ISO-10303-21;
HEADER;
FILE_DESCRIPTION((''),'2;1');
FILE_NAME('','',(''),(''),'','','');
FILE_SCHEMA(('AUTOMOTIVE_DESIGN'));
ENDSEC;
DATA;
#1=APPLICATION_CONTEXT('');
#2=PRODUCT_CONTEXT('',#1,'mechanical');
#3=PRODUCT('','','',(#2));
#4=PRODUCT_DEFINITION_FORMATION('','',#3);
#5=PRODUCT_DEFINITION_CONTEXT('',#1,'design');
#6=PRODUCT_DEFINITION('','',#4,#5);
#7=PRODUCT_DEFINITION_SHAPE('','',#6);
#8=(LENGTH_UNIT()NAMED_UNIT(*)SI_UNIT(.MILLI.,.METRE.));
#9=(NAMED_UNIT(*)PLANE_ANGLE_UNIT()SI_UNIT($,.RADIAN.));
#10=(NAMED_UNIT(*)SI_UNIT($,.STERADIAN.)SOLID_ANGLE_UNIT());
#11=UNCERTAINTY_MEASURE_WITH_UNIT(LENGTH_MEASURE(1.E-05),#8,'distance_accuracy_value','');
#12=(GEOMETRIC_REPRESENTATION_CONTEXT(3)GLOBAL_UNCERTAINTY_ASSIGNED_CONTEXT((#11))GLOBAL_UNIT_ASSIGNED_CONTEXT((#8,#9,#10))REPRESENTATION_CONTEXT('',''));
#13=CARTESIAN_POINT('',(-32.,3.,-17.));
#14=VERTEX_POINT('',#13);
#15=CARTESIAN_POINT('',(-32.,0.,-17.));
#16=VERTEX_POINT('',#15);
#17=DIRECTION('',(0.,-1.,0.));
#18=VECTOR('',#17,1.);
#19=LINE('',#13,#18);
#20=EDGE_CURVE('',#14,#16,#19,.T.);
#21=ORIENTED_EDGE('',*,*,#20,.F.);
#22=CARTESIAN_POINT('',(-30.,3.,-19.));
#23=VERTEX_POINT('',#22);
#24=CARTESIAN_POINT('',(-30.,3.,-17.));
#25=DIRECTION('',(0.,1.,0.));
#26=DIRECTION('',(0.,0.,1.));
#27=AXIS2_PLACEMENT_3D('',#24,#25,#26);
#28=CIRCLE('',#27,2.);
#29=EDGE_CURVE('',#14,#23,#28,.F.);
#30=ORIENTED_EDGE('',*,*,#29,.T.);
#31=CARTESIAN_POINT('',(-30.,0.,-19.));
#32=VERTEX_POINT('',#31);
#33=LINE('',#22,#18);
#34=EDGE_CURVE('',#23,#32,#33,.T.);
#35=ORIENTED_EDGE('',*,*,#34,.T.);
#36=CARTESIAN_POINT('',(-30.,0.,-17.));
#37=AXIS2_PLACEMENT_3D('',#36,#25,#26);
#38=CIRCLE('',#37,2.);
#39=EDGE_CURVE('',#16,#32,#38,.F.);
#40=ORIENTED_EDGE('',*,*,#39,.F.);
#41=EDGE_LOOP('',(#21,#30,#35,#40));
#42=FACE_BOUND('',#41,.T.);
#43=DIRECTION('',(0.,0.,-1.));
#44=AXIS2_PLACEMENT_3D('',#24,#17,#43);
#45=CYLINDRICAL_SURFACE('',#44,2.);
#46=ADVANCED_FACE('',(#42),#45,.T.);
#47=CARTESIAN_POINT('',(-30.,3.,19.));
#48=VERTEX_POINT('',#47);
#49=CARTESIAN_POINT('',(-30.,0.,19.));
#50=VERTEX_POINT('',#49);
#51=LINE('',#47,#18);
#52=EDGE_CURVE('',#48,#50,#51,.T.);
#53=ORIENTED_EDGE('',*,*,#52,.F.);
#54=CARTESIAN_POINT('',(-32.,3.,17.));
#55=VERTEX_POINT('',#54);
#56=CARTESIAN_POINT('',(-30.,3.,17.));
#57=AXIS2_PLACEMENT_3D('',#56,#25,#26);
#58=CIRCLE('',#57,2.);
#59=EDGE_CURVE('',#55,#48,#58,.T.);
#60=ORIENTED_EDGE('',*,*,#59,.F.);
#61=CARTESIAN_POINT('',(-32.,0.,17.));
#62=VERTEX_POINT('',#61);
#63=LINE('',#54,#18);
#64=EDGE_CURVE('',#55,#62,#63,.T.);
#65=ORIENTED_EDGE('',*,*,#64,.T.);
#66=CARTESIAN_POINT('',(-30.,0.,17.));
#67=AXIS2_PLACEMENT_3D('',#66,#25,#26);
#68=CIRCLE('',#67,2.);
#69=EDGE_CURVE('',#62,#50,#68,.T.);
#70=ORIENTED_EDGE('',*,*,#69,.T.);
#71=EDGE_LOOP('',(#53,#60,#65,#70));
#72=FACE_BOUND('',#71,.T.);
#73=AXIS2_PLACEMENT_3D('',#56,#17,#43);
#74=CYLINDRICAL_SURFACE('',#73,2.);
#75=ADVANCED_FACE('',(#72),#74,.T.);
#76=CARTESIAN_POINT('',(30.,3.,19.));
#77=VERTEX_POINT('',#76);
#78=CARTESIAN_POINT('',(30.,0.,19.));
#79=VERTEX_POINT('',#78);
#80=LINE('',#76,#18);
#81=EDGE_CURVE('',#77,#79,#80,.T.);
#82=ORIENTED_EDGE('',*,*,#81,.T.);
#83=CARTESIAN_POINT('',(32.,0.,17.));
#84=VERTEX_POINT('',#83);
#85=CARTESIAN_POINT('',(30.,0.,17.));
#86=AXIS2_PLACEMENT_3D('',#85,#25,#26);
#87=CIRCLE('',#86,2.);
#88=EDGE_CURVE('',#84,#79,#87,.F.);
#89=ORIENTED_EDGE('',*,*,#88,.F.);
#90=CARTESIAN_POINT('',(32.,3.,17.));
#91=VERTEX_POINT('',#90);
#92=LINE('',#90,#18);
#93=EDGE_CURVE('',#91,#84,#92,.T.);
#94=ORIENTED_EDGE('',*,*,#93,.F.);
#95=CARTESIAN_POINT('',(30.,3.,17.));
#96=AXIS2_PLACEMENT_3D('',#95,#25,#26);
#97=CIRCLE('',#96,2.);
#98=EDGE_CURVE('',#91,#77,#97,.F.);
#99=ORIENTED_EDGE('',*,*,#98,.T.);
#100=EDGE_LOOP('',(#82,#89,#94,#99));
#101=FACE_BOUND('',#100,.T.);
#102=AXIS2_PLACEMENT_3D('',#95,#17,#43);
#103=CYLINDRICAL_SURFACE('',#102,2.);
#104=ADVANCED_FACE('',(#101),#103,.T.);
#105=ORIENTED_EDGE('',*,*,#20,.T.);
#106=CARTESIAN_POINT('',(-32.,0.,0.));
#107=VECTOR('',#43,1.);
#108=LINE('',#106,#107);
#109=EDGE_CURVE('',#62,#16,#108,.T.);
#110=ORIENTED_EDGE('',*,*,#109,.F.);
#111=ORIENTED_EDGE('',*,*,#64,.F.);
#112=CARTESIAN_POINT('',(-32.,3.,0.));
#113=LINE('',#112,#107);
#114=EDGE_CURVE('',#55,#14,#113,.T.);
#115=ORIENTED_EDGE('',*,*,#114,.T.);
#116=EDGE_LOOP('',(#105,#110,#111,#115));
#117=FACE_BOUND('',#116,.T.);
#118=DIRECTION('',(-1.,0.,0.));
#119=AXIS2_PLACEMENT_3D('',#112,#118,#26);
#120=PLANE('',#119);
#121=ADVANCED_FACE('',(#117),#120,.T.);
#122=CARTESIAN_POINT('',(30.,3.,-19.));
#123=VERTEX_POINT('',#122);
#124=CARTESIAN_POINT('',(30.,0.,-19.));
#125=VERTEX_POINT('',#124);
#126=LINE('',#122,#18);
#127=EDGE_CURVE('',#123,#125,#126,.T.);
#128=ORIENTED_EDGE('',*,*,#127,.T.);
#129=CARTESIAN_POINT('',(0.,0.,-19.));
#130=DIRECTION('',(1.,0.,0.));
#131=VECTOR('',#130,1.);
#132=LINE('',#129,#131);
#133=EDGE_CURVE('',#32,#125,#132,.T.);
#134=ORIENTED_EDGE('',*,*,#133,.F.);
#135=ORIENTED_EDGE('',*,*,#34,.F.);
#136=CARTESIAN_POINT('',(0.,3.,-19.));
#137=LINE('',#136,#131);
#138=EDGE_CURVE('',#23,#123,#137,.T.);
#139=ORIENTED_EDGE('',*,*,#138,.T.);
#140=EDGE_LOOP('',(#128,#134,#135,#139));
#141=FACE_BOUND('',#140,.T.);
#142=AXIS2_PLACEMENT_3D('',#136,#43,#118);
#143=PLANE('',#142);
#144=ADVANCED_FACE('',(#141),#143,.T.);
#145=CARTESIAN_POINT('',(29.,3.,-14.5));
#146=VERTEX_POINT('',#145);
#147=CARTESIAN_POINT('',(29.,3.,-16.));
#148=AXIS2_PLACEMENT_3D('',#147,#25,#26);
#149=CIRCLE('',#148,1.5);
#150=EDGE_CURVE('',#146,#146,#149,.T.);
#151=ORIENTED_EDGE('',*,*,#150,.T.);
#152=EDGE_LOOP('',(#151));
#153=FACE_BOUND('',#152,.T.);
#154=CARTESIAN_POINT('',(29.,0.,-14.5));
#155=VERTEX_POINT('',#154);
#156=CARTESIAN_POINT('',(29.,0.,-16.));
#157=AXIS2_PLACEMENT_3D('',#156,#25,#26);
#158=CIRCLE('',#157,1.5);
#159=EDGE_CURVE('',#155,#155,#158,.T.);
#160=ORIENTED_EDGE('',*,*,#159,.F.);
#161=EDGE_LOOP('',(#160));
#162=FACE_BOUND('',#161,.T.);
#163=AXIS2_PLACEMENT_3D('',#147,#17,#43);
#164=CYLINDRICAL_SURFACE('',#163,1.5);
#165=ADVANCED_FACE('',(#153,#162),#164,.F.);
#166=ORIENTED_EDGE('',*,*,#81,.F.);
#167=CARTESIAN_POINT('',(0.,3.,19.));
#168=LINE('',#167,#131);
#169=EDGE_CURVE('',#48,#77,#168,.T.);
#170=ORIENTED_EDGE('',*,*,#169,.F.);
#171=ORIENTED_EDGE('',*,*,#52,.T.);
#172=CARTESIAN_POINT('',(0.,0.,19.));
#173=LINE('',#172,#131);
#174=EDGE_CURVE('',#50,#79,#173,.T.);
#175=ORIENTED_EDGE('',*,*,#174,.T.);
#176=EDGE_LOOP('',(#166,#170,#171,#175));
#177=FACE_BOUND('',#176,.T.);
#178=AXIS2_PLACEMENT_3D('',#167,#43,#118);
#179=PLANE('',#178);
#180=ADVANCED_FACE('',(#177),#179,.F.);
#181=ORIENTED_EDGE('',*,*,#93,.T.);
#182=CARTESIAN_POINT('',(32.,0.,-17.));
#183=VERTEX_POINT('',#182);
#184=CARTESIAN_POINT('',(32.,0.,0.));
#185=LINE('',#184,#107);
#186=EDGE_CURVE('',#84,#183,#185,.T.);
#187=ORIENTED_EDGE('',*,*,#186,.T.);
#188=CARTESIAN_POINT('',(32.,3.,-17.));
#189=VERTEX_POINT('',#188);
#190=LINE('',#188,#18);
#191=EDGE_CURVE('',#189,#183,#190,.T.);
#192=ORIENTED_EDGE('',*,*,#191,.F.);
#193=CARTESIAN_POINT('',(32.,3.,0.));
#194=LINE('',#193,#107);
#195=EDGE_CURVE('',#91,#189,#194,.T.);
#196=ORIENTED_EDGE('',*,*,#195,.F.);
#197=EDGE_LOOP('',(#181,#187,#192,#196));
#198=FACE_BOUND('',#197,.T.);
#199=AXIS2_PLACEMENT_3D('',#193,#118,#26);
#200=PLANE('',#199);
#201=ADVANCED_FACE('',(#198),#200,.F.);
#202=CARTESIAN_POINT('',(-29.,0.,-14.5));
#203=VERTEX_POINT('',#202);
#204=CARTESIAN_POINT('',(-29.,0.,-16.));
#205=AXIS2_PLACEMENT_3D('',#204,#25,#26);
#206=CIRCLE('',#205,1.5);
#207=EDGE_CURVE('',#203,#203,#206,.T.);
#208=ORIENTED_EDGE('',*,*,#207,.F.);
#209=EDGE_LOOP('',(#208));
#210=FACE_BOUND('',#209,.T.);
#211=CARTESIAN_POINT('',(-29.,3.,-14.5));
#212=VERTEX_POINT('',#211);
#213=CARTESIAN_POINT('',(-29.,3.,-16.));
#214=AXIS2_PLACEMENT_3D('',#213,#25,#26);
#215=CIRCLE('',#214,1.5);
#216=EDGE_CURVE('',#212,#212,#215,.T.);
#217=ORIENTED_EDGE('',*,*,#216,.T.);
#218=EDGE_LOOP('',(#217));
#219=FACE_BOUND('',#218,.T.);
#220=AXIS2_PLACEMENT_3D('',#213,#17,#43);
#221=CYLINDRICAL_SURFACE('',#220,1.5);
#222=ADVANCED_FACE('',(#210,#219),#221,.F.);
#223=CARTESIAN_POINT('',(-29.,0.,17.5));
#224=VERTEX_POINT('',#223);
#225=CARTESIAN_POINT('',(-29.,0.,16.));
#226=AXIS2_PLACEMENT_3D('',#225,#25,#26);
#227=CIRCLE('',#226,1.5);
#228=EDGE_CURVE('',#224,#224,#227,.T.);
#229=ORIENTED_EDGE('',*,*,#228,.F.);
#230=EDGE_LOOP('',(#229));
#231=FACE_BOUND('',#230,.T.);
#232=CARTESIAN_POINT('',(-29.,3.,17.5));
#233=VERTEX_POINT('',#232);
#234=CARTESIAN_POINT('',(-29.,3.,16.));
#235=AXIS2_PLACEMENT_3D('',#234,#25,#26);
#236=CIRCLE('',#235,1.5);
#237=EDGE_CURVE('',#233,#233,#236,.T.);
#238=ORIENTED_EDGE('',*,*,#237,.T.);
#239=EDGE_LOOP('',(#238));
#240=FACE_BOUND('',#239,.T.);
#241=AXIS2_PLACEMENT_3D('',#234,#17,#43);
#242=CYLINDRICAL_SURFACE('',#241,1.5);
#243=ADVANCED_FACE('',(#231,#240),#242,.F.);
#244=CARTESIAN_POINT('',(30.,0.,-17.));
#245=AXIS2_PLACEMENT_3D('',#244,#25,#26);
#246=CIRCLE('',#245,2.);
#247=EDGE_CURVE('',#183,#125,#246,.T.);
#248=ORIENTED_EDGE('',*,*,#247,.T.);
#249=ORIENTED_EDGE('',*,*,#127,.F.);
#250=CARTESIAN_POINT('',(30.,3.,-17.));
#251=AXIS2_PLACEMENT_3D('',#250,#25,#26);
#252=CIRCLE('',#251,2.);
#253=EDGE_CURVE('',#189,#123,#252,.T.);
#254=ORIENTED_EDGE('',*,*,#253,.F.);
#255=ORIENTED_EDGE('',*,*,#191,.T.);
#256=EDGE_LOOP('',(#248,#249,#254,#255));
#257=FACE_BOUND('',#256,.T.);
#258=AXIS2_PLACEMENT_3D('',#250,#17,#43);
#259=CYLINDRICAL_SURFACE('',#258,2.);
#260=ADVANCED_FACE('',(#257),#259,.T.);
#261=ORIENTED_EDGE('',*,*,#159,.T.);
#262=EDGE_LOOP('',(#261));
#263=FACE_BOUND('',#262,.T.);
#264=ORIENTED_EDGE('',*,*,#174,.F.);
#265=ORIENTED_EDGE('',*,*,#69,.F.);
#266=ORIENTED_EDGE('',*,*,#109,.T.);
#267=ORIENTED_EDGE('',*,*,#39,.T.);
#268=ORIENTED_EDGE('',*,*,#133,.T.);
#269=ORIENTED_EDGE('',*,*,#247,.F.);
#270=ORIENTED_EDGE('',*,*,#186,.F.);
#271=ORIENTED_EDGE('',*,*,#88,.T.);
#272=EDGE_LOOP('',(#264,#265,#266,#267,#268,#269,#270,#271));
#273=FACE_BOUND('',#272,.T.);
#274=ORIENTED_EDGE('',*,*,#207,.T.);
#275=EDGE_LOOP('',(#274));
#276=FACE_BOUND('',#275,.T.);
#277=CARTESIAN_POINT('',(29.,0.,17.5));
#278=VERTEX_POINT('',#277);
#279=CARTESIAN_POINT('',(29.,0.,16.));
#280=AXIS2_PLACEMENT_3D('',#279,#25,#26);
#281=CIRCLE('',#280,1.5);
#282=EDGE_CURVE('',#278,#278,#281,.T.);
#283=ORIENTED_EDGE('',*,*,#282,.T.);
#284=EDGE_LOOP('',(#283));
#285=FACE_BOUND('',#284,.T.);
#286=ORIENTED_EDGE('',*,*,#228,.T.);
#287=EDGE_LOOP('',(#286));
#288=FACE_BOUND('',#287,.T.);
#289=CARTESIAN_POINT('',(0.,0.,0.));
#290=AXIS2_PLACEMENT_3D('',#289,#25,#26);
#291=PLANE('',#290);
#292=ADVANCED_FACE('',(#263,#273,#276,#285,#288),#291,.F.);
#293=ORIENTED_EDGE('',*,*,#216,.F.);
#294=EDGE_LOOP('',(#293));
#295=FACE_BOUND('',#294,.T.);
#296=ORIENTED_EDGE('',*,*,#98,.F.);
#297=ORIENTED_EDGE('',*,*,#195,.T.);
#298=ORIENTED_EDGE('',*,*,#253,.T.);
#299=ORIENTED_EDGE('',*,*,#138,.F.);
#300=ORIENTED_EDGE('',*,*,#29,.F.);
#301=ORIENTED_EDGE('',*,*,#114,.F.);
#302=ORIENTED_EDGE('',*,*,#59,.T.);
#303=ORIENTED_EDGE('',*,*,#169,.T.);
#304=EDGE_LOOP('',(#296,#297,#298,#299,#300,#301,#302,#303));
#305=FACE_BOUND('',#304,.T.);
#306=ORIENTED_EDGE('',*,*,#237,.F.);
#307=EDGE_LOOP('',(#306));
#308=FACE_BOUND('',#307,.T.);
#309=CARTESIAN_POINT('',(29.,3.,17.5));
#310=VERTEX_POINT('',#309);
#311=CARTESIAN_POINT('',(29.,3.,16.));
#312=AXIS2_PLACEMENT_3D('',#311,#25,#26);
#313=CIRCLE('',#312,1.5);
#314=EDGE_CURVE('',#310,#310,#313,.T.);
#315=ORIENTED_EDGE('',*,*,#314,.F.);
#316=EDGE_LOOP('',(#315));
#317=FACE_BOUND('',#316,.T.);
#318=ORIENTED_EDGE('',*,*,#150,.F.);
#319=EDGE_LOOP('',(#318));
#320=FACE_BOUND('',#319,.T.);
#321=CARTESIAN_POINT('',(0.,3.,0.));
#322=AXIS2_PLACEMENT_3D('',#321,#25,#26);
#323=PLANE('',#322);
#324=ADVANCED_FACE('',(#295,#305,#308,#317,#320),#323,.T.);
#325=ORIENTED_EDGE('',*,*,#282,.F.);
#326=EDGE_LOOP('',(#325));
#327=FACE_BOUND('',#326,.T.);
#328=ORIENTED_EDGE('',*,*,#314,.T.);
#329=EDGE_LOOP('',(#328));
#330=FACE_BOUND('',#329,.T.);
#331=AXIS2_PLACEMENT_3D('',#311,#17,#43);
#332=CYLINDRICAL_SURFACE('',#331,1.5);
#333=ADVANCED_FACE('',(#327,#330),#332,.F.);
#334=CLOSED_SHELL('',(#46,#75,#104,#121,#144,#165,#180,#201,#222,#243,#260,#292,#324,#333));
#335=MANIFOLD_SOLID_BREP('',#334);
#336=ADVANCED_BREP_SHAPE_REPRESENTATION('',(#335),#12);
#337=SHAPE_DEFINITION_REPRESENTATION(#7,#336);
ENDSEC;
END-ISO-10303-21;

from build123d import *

# Parameters (mm, degrees)
SKETCH1_R           = 1.5
BOSS_EXTRUDE1_DEPTH = 3


with BuildPart() as part:
    # Sketch1 → Boss-Extrude1 (new body)
    with BuildSketch(Plane(origin=(0, 0, 0), x_dir=(1, 0, 0), z_dir=(0, 1, 0))):
        with BuildLine():
            Line((-30, -19), (30, -19))
            ThreePointArc((30, -19), (31.414213562, -18.414213562), (32, -17))
            Line((32, -17), (32, 17))
            ThreePointArc((32, 17), (31.414213562, 18.414213562), (30, 19))
            Line((30, 19), (-30, 19))
            ThreePointArc((-30, 19), (-31.414213562, 18.414213562), (-32, 17))
            Line((-32, 17), (-32, -17))
            ThreePointArc((-32, -17), (-31.414213562, -18.414213562), (-30, -19))
        make_face()
        with Locations(Location((-29, 16, 0), (0, 0, 270))):
            Circle(SKETCH1_R, mode=Mode.SUBTRACT)
        with Locations(Location((29, 16, 0), (0, 0, 270))):
            Circle(SKETCH1_R, mode=Mode.SUBTRACT)
        with Locations(Location((-29, -16, 0), (0, 0, 270))):
            Circle(SKETCH1_R, mode=Mode.SUBTRACT)
        with Locations(Location((29, -16, 0), (0, 0, 270))):
            Circle(SKETCH1_R, mode=Mode.SUBTRACT)
    extrude(amount=BOSS_EXTRUDE1_DEPTH)


solid = part.part
